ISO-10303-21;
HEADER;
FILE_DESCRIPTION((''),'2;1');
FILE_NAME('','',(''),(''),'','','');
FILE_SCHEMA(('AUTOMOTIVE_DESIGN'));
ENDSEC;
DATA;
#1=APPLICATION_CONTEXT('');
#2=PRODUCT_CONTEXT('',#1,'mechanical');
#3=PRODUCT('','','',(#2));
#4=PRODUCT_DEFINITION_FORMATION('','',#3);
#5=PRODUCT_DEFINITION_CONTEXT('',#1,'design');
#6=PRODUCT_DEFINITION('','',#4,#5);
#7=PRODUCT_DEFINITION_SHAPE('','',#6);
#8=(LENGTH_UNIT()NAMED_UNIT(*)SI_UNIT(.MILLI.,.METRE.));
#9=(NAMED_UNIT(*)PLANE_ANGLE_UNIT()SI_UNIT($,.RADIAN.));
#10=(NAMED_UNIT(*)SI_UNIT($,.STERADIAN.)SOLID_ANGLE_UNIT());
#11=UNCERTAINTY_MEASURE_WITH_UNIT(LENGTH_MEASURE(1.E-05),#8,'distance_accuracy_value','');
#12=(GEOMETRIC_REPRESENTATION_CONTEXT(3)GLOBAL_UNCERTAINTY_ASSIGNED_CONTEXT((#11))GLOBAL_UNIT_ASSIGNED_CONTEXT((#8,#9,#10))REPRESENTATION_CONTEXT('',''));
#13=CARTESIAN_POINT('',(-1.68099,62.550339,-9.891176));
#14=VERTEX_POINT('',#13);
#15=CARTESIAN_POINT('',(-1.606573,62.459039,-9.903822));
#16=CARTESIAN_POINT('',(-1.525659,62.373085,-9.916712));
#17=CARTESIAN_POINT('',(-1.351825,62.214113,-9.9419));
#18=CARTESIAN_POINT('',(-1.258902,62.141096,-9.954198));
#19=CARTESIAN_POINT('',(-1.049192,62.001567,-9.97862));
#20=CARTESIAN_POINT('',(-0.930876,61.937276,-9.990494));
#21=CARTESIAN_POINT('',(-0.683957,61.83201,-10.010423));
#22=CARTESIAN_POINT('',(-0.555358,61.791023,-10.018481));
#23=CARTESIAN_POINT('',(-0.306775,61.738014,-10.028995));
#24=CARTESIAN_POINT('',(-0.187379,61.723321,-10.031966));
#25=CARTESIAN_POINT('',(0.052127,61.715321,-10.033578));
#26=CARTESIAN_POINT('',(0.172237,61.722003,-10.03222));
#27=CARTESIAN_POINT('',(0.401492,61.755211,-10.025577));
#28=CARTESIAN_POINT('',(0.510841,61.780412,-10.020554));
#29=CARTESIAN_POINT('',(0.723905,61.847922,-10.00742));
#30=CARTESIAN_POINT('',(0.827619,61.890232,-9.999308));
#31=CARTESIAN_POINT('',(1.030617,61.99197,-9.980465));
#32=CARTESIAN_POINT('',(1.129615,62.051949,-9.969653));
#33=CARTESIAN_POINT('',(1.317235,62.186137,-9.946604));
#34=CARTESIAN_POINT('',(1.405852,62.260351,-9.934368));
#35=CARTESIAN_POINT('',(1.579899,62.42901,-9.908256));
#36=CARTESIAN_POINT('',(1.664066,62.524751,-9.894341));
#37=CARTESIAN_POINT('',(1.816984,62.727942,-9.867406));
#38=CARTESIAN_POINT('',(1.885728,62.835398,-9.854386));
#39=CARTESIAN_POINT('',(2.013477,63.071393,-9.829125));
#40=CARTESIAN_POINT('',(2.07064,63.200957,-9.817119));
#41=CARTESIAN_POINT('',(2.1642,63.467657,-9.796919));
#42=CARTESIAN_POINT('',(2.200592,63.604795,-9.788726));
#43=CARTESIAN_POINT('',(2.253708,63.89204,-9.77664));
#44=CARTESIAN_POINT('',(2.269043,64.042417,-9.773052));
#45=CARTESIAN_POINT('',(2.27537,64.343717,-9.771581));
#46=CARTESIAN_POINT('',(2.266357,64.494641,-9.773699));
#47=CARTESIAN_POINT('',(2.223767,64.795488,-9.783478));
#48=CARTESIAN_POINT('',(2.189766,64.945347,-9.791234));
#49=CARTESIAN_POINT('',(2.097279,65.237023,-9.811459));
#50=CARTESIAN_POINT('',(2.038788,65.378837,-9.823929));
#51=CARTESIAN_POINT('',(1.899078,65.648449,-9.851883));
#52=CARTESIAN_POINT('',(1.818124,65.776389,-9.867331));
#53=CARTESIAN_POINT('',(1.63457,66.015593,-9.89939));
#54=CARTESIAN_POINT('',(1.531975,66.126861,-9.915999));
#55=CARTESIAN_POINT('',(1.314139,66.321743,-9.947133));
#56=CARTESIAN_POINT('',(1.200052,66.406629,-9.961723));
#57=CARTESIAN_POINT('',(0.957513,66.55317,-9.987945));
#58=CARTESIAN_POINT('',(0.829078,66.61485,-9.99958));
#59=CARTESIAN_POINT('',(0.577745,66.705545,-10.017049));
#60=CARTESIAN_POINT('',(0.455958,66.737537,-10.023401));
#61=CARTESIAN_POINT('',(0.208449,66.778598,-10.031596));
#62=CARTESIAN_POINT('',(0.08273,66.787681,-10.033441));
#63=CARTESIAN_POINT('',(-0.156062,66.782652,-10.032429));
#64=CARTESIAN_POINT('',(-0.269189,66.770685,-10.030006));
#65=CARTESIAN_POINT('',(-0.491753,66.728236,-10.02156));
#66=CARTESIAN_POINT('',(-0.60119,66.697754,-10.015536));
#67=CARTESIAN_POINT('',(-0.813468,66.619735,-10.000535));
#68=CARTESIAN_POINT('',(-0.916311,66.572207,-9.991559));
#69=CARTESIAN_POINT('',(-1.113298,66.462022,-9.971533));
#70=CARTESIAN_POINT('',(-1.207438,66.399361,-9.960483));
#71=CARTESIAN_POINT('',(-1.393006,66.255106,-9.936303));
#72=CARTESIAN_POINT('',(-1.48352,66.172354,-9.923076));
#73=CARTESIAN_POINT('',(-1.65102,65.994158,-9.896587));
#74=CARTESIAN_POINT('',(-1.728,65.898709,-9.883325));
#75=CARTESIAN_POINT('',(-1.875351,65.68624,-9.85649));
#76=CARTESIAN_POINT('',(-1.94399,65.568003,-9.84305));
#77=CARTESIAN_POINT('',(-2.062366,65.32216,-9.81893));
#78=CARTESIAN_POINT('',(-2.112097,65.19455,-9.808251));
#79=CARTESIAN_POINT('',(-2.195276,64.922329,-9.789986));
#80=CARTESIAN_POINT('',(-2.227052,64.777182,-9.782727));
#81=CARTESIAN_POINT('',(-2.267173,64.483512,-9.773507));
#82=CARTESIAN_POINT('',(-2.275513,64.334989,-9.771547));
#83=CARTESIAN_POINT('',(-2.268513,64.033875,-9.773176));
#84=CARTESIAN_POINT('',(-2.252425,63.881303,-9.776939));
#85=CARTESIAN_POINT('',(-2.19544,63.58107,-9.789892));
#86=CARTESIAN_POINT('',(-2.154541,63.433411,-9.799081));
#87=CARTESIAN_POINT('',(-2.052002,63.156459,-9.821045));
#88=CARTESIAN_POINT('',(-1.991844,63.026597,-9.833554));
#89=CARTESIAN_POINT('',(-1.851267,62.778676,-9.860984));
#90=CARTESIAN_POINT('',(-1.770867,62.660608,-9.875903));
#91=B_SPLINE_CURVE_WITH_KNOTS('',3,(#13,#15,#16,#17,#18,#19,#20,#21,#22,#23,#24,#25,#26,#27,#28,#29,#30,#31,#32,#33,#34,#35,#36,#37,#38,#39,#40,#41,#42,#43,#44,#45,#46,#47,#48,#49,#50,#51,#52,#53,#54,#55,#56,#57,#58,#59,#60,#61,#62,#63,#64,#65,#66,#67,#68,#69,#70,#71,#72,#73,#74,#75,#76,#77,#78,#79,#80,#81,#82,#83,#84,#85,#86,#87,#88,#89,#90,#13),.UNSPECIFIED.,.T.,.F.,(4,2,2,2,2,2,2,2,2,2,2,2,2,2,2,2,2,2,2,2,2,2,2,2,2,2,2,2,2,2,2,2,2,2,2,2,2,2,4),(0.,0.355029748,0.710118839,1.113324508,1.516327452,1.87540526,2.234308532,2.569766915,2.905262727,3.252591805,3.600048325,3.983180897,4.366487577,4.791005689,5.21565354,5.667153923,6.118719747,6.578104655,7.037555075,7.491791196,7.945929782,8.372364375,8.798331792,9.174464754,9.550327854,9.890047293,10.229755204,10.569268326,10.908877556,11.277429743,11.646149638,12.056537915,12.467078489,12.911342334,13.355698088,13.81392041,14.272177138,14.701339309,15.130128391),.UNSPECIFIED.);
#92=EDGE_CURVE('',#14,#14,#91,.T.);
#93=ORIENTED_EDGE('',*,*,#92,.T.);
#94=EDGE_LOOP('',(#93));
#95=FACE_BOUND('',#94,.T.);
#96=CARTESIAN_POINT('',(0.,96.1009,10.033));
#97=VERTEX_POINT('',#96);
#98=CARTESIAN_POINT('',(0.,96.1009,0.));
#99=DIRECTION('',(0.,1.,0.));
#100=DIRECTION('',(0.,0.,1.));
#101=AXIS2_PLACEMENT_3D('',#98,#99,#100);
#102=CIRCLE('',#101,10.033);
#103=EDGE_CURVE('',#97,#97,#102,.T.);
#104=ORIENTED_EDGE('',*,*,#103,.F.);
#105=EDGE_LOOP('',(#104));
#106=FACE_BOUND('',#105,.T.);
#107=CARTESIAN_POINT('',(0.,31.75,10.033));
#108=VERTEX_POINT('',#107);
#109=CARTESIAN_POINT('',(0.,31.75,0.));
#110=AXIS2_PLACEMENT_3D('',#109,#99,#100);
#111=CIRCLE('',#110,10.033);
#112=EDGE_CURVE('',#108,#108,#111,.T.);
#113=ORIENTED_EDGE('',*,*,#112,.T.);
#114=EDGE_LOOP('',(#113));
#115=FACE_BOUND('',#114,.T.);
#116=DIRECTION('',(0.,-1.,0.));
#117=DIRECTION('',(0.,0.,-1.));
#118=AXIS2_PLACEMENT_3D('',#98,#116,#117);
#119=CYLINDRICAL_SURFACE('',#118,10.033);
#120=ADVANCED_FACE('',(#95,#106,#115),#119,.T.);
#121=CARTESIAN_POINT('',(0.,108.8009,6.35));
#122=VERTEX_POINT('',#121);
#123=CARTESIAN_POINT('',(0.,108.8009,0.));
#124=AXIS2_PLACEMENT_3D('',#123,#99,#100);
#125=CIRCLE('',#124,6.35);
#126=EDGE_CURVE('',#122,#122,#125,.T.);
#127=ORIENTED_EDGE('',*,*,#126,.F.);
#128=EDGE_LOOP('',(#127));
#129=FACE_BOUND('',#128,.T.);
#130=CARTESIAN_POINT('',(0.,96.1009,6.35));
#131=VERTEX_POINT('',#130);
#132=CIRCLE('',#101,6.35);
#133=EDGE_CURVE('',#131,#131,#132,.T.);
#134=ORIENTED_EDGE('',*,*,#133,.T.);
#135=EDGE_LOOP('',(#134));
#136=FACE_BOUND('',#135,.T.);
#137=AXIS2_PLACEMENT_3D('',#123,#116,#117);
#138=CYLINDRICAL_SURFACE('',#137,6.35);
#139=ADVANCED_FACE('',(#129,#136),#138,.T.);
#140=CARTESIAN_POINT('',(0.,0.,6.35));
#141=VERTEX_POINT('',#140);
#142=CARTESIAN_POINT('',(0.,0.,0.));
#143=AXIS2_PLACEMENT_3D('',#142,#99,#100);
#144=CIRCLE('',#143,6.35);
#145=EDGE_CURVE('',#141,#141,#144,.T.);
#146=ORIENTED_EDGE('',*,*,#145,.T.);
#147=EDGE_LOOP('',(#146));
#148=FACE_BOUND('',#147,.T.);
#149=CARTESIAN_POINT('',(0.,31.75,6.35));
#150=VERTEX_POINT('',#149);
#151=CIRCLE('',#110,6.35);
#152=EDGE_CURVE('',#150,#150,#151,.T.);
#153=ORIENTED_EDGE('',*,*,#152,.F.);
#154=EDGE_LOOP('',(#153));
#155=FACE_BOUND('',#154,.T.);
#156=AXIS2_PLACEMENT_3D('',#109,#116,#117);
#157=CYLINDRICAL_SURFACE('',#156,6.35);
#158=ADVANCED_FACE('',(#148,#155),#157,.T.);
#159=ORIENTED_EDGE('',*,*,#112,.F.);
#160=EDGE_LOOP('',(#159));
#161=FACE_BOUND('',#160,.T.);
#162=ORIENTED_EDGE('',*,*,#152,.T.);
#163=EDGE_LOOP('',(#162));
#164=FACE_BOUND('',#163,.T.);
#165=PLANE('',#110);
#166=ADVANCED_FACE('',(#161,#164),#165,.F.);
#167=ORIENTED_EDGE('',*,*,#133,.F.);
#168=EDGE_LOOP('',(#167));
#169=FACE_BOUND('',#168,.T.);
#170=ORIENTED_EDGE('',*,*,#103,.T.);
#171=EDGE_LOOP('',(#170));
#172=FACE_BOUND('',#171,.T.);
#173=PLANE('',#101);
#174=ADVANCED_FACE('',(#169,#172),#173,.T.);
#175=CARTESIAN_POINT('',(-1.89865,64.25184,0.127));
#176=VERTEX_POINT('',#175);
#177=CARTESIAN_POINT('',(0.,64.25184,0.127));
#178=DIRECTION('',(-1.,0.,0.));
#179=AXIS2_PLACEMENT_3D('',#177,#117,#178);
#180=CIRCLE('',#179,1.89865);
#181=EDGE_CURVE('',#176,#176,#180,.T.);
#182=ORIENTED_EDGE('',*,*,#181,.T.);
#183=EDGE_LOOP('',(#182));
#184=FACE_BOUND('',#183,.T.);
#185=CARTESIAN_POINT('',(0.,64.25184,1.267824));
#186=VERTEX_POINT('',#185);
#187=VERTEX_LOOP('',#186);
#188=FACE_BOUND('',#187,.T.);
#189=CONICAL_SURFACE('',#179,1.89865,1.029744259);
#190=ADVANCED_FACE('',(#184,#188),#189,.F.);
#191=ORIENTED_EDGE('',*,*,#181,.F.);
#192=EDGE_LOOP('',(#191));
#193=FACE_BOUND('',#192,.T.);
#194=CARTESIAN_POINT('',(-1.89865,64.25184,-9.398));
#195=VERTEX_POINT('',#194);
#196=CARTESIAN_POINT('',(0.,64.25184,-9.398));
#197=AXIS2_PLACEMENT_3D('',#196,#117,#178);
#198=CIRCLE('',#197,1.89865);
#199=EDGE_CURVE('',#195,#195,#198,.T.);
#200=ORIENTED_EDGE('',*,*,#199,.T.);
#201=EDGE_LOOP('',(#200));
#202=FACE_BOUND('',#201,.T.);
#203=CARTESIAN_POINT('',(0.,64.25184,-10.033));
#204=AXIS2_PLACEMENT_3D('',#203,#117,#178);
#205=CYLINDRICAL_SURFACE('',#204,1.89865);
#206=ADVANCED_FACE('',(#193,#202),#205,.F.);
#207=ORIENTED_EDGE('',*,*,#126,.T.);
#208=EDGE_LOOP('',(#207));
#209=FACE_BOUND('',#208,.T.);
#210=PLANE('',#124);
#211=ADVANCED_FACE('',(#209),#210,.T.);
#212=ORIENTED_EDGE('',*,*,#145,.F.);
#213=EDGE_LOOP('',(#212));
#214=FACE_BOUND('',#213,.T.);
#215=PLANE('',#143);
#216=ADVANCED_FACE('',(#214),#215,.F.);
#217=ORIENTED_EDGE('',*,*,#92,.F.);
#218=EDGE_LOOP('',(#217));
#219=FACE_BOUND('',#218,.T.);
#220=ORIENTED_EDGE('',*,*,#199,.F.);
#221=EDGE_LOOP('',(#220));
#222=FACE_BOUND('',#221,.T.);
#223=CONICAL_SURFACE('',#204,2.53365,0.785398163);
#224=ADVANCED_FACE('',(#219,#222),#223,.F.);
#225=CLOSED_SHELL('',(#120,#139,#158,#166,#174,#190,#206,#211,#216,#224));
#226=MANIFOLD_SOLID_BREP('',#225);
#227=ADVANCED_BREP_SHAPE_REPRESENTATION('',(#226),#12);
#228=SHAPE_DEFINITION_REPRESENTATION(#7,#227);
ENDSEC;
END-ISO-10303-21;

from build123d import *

# Parameters (mm, degrees)
SKETCH1_R                        = 6.35
BUSHINGSPROCKETSPACE_DEPTH       = 31.75
SKETCH2_R                        = 10.033
BOSS_EXTRUDE2_DEPTH              = 64.3509
SKETCH3_R                        = 6.35
BOSS_EXTRUDE3_DEPTH              = 12.7
F_10_24_TAPPED_HOLE2_D           = 3.7973
F_10_24_TAPPED_HOLE2_DEPTH       = 10.16
F_10_24_TAPPED_HOLE2_CSINK_D     = 5.0673
F_10_24_TAPPED_HOLE2_CSINK_ANGLE = 90
F_10_24_TAPPED_HOLE2_TIP         = 1.140824014


with BuildPart() as part:
    # Sketch1 → BushingSprocketSpace (new body)
    with BuildSketch(Plane(origin=(0, 0, 0), x_dir=(1, 0, 0), z_dir=(0, 1, 0))):
        Circle(SKETCH1_R)
    extrude(amount=BUSHINGSPROCKETSPACE_DEPTH)

    # Sketch2 → Boss-Extrude2 (add)
    with BuildSketch(Plane(origin=(0, 31.75, 0), x_dir=(1, 0, 0), z_dir=(0, 1, 0))):
        Circle(SKETCH2_R)
    extrude(amount=BOSS_EXTRUDE2_DEPTH)

    # Sketch3 → Boss-Extrude3 (add)
    with BuildSketch(Plane(origin=(0, 96.1009, 0), x_dir=(1, 0, 0), z_dir=(0, 1, 0))):
        Circle(SKETCH3_R)
    extrude(amount=BOSS_EXTRUDE3_DEPTH)

    # #10-24 Tapped Hole2
    with Locations(Plane(origin=(0, 64.25184, -10.033), x_dir=(-1, 0, 0), z_dir=(0, 0, -1))):
        with Locations((0, 0)):
            CounterSinkHole(F_10_24_TAPPED_HOLE2_D / 2, F_10_24_TAPPED_HOLE2_CSINK_D / 2, depth=F_10_24_TAPPED_HOLE2_DEPTH, counter_sink_angle=F_10_24_TAPPED_HOLE2_CSINK_ANGLE)
            with Locations((0, 0, -(F_10_24_TAPPED_HOLE2_DEPTH + F_10_24_TAPPED_HOLE2_TIP / 2))):  # 118° drill point
                Cone(0, F_10_24_TAPPED_HOLE2_D / 2, F_10_24_TAPPED_HOLE2_TIP, mode=Mode.SUBTRACT)


solid = part.part
